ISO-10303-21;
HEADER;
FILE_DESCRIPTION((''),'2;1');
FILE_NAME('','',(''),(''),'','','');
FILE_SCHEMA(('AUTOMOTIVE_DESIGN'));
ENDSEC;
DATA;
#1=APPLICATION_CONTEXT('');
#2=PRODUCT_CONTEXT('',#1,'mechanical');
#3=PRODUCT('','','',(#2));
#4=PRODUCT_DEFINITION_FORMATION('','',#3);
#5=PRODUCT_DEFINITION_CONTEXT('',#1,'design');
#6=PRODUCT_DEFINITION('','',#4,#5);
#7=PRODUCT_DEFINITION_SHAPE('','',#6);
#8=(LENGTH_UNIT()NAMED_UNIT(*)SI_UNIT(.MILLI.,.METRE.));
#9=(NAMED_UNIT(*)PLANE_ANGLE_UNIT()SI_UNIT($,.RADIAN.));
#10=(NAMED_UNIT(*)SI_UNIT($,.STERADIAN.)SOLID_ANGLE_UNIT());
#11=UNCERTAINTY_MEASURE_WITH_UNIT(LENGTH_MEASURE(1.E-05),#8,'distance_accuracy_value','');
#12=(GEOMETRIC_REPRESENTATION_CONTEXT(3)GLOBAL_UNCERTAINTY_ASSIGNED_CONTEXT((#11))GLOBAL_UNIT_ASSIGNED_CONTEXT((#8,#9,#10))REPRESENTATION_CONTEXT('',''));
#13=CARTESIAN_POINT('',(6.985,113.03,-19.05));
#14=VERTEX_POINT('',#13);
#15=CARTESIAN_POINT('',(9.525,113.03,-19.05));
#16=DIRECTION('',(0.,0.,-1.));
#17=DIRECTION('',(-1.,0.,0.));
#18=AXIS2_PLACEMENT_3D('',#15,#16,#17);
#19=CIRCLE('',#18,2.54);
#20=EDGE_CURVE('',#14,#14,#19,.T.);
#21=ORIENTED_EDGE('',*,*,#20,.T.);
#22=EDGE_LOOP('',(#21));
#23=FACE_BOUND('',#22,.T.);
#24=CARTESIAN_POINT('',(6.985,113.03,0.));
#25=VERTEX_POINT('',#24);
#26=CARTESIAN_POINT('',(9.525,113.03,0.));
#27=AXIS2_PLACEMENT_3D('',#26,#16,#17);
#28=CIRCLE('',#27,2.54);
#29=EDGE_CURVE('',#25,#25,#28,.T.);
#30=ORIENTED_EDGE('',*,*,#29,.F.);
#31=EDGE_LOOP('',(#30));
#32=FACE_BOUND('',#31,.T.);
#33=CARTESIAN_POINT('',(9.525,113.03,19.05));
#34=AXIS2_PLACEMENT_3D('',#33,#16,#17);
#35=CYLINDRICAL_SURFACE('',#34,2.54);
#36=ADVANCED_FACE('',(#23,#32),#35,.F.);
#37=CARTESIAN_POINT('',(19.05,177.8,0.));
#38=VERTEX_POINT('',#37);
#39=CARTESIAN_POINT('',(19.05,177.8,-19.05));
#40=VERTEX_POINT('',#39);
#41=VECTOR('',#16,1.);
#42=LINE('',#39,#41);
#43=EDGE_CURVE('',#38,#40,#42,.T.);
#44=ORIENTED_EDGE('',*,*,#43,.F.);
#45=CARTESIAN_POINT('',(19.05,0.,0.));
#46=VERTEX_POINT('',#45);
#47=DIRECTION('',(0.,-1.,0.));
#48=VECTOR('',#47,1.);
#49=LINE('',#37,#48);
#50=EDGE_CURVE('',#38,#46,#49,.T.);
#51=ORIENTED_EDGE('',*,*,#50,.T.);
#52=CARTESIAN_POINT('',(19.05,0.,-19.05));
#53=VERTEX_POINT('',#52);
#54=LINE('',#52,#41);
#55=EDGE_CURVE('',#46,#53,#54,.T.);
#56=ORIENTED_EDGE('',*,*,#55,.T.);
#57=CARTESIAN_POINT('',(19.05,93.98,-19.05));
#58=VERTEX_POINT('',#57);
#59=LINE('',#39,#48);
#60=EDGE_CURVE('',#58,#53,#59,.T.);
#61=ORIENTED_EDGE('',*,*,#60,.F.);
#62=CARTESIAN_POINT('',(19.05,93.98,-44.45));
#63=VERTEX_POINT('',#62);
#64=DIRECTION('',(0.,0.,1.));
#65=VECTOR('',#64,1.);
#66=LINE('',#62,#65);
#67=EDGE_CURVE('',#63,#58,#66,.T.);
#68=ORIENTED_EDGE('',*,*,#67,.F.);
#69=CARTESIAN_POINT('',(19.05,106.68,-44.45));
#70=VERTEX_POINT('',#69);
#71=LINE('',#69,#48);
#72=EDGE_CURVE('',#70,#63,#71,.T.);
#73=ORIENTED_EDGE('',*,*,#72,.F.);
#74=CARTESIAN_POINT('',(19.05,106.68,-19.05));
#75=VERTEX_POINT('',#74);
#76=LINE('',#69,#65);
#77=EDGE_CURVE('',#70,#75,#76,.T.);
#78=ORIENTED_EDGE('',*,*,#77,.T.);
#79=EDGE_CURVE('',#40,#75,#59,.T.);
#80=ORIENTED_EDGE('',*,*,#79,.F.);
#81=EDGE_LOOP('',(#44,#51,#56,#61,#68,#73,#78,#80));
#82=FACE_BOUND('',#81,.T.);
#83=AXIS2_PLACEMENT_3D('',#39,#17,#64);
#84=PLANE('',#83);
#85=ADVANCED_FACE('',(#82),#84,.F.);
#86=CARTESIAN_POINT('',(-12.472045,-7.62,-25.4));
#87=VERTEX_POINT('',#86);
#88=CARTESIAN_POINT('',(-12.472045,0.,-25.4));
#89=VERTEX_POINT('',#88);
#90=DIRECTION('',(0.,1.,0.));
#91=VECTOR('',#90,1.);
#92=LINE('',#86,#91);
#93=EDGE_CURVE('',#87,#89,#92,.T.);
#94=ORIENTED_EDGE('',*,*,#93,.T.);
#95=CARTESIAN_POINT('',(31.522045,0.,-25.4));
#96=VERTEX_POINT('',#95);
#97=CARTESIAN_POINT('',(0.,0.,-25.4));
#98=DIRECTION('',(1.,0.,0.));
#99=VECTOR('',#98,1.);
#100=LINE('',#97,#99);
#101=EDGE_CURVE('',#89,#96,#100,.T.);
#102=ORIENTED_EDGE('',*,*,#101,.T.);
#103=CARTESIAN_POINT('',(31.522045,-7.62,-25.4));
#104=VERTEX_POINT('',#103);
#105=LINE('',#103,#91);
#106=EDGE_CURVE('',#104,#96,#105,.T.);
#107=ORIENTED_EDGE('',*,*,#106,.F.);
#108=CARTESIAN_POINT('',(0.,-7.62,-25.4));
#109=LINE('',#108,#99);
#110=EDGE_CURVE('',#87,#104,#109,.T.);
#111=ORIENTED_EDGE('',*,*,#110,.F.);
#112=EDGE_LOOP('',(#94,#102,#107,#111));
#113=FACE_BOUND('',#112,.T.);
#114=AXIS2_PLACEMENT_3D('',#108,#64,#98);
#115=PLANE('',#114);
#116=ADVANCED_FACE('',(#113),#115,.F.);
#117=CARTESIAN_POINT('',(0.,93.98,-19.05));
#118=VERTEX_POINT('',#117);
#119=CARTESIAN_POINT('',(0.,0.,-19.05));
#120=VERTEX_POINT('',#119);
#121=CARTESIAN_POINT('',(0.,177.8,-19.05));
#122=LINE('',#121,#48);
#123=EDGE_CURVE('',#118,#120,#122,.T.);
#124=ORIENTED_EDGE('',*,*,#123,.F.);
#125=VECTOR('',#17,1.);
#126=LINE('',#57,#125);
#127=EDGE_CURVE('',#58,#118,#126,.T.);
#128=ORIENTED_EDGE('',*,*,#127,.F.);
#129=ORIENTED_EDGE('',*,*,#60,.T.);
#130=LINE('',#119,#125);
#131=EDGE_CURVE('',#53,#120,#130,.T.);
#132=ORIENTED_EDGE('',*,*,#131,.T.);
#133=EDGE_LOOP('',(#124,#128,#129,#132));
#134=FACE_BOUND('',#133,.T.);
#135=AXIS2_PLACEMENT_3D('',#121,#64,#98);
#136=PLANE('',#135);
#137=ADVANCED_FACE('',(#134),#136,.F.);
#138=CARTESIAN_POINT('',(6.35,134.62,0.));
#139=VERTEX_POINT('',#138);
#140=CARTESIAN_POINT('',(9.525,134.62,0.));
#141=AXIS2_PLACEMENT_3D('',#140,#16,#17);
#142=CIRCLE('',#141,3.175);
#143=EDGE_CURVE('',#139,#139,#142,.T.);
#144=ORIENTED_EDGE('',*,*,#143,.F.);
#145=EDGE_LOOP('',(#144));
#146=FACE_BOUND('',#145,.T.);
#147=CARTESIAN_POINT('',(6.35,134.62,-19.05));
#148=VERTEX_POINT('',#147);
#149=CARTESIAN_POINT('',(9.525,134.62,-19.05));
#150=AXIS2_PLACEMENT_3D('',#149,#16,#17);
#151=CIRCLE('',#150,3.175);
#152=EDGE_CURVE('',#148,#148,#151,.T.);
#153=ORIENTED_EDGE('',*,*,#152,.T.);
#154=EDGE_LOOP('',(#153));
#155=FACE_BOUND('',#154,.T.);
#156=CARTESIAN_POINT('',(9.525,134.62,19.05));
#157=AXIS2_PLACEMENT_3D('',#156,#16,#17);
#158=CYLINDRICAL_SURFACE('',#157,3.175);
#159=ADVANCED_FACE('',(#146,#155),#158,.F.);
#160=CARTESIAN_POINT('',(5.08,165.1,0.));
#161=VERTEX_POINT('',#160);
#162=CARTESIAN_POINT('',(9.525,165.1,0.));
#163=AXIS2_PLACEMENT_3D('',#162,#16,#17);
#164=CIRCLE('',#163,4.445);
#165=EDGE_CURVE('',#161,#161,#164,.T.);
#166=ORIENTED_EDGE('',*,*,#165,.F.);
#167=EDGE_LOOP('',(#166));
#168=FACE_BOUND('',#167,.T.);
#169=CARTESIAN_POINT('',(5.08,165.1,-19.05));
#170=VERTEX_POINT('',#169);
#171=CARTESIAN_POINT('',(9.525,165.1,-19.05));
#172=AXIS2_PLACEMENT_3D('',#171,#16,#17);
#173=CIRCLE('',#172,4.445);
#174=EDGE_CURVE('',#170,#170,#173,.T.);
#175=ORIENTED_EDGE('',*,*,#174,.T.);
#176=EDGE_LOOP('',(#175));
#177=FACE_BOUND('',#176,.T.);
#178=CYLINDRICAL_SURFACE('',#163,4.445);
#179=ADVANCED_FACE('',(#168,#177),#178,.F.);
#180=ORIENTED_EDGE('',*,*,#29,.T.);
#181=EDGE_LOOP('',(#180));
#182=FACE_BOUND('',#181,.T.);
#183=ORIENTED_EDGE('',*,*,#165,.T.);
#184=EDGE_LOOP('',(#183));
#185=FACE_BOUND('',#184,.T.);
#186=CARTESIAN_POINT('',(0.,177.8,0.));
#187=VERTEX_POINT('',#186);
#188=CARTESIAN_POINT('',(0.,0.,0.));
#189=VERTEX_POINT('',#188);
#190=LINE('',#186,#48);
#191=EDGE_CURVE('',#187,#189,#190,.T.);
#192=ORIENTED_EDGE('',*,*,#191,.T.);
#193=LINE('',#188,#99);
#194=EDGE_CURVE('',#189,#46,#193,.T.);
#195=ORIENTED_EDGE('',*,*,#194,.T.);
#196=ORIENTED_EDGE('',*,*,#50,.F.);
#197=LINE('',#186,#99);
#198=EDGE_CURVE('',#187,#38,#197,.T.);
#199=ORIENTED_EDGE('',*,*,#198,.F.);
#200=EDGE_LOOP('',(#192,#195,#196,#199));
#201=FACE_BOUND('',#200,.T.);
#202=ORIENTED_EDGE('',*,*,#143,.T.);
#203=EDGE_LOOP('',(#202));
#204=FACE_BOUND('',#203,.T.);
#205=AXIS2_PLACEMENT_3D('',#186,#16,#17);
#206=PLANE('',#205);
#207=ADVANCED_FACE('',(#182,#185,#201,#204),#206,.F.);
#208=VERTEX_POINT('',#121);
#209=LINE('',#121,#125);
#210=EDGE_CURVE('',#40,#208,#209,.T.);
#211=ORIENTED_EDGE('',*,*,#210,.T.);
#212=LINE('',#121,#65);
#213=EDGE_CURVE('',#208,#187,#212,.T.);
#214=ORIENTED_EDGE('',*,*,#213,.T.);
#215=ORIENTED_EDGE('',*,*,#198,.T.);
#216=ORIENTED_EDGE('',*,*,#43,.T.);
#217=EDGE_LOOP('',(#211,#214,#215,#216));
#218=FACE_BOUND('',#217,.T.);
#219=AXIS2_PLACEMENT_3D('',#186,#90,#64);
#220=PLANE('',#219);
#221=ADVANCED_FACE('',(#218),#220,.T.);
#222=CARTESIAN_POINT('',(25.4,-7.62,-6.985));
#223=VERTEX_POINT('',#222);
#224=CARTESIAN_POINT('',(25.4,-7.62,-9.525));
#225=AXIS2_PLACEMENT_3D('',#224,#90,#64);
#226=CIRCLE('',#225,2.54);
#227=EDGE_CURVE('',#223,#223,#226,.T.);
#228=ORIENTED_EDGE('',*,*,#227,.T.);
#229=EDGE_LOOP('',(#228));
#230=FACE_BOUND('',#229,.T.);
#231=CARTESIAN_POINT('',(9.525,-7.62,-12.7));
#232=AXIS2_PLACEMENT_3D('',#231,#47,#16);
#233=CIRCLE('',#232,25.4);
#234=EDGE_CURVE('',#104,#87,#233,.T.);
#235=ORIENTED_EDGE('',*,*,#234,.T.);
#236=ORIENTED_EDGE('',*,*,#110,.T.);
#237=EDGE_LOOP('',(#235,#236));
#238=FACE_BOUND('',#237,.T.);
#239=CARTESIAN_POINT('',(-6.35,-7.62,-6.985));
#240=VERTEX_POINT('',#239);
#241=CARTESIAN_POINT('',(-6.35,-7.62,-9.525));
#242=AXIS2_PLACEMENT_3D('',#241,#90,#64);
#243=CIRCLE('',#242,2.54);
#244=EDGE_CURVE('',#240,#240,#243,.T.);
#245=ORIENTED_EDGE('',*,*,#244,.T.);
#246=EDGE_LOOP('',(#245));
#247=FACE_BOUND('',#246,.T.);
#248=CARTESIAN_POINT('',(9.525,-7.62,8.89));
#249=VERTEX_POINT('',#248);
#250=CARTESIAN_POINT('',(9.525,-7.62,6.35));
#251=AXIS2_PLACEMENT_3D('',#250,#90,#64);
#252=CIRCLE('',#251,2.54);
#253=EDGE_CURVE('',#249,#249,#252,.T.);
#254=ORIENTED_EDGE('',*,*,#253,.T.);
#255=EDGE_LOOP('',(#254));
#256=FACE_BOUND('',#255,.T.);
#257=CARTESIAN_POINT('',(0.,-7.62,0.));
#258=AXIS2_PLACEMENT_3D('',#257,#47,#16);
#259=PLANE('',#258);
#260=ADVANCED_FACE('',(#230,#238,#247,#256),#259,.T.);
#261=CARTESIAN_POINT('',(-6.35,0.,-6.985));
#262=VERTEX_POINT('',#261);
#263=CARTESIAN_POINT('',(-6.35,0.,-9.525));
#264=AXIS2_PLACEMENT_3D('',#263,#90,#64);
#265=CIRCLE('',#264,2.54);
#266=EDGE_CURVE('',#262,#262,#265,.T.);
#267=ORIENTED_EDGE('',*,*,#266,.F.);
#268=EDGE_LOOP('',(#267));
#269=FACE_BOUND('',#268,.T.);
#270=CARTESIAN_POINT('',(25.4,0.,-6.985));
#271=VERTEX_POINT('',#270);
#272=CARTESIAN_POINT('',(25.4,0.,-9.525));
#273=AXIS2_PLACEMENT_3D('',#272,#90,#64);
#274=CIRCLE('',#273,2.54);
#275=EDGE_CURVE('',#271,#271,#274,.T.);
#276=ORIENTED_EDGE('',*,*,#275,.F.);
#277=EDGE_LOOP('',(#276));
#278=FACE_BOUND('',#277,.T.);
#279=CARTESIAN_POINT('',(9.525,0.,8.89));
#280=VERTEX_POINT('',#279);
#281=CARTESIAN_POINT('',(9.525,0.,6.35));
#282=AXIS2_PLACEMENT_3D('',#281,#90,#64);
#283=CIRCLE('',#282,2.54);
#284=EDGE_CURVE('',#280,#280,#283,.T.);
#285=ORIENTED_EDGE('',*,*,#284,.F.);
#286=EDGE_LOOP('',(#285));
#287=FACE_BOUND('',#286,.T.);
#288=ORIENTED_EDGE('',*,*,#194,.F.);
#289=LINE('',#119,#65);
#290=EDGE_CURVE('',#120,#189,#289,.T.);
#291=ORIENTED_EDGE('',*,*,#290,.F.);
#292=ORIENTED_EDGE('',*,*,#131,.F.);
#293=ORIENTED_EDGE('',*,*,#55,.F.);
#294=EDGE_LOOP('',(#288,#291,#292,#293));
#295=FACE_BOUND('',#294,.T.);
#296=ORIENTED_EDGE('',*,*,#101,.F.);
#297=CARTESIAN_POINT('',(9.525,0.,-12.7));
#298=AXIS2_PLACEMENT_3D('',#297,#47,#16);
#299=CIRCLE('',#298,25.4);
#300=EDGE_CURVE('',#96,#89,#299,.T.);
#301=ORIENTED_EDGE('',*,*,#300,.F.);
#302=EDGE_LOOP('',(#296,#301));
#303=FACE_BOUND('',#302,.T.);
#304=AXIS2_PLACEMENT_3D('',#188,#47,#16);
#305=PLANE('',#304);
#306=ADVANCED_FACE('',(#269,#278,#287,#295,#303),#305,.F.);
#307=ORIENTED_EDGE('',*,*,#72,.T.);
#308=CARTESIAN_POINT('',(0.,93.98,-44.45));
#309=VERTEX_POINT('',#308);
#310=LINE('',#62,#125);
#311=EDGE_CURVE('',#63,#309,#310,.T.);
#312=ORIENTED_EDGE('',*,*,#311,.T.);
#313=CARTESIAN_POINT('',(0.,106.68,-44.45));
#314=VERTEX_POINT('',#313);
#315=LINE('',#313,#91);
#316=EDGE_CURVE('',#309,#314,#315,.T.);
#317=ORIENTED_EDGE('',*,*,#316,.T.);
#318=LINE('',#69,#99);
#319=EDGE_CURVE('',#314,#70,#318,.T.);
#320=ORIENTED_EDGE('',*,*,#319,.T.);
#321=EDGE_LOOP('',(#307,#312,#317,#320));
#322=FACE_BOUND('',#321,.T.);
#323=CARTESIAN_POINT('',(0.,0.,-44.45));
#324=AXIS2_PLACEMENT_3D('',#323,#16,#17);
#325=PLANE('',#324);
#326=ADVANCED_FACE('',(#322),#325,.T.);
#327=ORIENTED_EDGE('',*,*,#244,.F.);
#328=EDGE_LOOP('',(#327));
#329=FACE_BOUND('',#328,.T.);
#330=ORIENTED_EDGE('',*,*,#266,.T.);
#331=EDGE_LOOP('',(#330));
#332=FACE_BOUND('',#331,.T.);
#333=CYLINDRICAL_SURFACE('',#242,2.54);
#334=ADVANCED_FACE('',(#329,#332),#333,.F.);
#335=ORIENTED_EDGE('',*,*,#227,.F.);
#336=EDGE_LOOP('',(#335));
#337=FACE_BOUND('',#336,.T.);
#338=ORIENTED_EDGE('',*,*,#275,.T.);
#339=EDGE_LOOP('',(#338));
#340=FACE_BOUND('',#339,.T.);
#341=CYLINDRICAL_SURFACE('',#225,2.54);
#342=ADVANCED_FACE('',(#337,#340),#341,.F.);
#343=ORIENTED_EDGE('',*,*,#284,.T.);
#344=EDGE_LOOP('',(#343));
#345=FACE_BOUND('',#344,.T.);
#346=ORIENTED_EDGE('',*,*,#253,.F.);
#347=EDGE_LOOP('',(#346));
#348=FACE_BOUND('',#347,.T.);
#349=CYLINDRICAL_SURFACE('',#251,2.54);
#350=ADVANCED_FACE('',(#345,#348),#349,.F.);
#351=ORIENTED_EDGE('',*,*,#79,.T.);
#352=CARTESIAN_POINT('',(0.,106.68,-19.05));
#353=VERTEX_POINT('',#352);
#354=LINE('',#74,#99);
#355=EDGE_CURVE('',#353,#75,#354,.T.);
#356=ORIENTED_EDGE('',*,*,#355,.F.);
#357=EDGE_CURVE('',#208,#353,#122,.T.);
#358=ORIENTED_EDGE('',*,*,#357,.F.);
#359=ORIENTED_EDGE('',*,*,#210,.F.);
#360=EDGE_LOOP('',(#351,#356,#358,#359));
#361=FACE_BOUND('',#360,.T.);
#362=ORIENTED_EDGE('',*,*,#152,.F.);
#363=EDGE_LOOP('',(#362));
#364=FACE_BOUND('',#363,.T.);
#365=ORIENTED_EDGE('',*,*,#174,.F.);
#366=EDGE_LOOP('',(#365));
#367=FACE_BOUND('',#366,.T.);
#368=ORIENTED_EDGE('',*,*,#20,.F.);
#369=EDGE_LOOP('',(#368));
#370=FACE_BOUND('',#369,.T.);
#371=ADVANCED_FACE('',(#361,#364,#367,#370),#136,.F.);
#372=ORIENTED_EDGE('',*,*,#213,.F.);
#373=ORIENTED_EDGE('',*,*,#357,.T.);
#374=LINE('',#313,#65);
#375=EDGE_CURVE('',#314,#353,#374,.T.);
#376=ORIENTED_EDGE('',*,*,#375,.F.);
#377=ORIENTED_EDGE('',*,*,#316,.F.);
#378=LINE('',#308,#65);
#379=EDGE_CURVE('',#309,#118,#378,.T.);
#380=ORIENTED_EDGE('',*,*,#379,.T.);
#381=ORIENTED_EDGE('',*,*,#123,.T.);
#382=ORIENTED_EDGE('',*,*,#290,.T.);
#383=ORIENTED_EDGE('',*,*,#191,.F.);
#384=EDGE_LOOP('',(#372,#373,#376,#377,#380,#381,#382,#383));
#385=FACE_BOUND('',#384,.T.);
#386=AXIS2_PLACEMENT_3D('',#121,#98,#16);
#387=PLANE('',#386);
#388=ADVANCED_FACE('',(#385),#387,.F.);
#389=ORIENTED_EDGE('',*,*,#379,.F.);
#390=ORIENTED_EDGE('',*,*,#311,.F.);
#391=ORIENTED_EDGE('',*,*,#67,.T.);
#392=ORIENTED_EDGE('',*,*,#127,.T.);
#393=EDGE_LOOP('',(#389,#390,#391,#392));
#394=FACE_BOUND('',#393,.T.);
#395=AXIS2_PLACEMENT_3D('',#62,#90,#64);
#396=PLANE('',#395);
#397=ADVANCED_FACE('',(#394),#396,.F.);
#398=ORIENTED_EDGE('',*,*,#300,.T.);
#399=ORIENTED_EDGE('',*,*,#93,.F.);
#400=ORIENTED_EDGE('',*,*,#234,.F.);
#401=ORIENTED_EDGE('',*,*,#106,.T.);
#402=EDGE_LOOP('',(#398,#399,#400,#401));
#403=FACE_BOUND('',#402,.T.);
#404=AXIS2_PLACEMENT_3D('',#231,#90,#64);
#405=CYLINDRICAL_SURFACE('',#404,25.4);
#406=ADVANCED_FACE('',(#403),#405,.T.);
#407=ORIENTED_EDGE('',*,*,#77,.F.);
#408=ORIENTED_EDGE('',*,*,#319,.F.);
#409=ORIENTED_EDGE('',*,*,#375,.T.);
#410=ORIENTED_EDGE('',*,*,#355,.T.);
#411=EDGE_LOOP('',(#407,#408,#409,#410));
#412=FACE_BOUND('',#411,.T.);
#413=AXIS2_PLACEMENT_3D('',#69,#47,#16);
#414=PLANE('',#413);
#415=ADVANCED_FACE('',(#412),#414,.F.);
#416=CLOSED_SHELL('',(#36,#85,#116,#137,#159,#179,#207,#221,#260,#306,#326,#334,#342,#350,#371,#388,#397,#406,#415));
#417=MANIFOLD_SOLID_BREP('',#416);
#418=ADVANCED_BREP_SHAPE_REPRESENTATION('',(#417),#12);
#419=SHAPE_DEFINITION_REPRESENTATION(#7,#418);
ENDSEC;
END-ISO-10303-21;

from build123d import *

# Parameters (mm, degrees)
SKETCH1_W           = 19.05
SKETCH1_H           = 19.05
BOSS_EXTRUDE1_DEPTH = 177.8
BOSS_EXTRUDE2_DEPTH = 7.62
SKETCH3_R           = 2.54
CUT_EXTRUDE1_DEPTH  = 7.62
SKETCH4_R           = 4.445
CUT_EXTRUDE2_DEPTH  = 19.05
SKETCH5_R           = 3.175
SKETCH5_R_2         = 2.54
CUT_EXTRUDE3_DEPTH  = 38.1
SKETCH6_W           = 19.05
SKETCH6_H           = 12.7
BOSS_EXTRUDE3_DEPTH = 25.4


with BuildPart() as part:
    # Sketch1 → Boss-Extrude1 (new body)
    with BuildSketch(Plane(origin=(0, 0, 0), x_dir=(1, 0, 0), z_dir=(0, 1, 0))):
        with Locations((9.525, 9.525)):
            Rectangle(SKETCH1_W, SKETCH1_H)
    extrude(amount=BOSS_EXTRUDE1_DEPTH)

    # Sketch2 → Boss-Extrude2 (add)
    with BuildSketch(Plane.XZ):
        with BuildLine():
            ThreePointArc((34.925, -12.7), (2.950996254, 11.834515988), (-12.472045256, -25.4))
            Line((-12.472045256, -25.4), (31.522045256, -25.4))
            ThreePointArc((31.522045256, -25.4), (34.059515988, -19.274003746), (34.925, -12.7))
        make_face()
    extrude(amount=BOSS_EXTRUDE2_DEPTH)

    # Sketch3 → Cut-Extrude1 (cut)
    with BuildSketch(Plane(origin=(0, 0, 0), x_dir=(1, 0, 0), z_dir=(0, 1, 0))):
        with Locations((-6.35, 9.525)):
            Circle(SKETCH3_R)
        with Locations((25.4, 9.525)):
            Circle(SKETCH3_R)
        with Locations((9.525, -6.35)):
            Circle(SKETCH3_R)
    extrude(amount=-CUT_EXTRUDE1_DEPTH, mode=Mode.SUBTRACT)

    # Sketch4 → Cut-Extrude2 (cut)
    with BuildSketch(Plane(origin=(0, 0, -19.05), x_dir=(-1, 0, 0), z_dir=(0, 0, -1))):
        with Locations((-9.525, 165.1)):
            Circle(SKETCH4_R)
    extrude(amount=-CUT_EXTRUDE2_DEPTH, mode=Mode.SUBTRACT)

    # Sketch5 → Cut-Extrude3 (cut)
    with BuildSketch(Plane(origin=(0, 0, -19.05), x_dir=(-1, 0, 0), z_dir=(0, 0, -1))):
        with Locations((-9.525, 134.62)):
            Circle(SKETCH5_R)
        with Locations((-9.525, 113.03)):
            Circle(SKETCH5_R_2)
    extrude(amount=-CUT_EXTRUDE3_DEPTH, mode=Mode.SUBTRACT)

    # Sketch6 → Boss-Extrude3 (add)
    with BuildSketch(Plane(origin=(0, 0, -19.05), x_dir=(-1, 0, 0), z_dir=(0, 0, -1))):
        with Locations((-9.525, 100.33)):
            Rectangle(SKETCH6_W, SKETCH6_H)
    extrude(amount=BOSS_EXTRUDE3_DEPTH)


solid = part.part
